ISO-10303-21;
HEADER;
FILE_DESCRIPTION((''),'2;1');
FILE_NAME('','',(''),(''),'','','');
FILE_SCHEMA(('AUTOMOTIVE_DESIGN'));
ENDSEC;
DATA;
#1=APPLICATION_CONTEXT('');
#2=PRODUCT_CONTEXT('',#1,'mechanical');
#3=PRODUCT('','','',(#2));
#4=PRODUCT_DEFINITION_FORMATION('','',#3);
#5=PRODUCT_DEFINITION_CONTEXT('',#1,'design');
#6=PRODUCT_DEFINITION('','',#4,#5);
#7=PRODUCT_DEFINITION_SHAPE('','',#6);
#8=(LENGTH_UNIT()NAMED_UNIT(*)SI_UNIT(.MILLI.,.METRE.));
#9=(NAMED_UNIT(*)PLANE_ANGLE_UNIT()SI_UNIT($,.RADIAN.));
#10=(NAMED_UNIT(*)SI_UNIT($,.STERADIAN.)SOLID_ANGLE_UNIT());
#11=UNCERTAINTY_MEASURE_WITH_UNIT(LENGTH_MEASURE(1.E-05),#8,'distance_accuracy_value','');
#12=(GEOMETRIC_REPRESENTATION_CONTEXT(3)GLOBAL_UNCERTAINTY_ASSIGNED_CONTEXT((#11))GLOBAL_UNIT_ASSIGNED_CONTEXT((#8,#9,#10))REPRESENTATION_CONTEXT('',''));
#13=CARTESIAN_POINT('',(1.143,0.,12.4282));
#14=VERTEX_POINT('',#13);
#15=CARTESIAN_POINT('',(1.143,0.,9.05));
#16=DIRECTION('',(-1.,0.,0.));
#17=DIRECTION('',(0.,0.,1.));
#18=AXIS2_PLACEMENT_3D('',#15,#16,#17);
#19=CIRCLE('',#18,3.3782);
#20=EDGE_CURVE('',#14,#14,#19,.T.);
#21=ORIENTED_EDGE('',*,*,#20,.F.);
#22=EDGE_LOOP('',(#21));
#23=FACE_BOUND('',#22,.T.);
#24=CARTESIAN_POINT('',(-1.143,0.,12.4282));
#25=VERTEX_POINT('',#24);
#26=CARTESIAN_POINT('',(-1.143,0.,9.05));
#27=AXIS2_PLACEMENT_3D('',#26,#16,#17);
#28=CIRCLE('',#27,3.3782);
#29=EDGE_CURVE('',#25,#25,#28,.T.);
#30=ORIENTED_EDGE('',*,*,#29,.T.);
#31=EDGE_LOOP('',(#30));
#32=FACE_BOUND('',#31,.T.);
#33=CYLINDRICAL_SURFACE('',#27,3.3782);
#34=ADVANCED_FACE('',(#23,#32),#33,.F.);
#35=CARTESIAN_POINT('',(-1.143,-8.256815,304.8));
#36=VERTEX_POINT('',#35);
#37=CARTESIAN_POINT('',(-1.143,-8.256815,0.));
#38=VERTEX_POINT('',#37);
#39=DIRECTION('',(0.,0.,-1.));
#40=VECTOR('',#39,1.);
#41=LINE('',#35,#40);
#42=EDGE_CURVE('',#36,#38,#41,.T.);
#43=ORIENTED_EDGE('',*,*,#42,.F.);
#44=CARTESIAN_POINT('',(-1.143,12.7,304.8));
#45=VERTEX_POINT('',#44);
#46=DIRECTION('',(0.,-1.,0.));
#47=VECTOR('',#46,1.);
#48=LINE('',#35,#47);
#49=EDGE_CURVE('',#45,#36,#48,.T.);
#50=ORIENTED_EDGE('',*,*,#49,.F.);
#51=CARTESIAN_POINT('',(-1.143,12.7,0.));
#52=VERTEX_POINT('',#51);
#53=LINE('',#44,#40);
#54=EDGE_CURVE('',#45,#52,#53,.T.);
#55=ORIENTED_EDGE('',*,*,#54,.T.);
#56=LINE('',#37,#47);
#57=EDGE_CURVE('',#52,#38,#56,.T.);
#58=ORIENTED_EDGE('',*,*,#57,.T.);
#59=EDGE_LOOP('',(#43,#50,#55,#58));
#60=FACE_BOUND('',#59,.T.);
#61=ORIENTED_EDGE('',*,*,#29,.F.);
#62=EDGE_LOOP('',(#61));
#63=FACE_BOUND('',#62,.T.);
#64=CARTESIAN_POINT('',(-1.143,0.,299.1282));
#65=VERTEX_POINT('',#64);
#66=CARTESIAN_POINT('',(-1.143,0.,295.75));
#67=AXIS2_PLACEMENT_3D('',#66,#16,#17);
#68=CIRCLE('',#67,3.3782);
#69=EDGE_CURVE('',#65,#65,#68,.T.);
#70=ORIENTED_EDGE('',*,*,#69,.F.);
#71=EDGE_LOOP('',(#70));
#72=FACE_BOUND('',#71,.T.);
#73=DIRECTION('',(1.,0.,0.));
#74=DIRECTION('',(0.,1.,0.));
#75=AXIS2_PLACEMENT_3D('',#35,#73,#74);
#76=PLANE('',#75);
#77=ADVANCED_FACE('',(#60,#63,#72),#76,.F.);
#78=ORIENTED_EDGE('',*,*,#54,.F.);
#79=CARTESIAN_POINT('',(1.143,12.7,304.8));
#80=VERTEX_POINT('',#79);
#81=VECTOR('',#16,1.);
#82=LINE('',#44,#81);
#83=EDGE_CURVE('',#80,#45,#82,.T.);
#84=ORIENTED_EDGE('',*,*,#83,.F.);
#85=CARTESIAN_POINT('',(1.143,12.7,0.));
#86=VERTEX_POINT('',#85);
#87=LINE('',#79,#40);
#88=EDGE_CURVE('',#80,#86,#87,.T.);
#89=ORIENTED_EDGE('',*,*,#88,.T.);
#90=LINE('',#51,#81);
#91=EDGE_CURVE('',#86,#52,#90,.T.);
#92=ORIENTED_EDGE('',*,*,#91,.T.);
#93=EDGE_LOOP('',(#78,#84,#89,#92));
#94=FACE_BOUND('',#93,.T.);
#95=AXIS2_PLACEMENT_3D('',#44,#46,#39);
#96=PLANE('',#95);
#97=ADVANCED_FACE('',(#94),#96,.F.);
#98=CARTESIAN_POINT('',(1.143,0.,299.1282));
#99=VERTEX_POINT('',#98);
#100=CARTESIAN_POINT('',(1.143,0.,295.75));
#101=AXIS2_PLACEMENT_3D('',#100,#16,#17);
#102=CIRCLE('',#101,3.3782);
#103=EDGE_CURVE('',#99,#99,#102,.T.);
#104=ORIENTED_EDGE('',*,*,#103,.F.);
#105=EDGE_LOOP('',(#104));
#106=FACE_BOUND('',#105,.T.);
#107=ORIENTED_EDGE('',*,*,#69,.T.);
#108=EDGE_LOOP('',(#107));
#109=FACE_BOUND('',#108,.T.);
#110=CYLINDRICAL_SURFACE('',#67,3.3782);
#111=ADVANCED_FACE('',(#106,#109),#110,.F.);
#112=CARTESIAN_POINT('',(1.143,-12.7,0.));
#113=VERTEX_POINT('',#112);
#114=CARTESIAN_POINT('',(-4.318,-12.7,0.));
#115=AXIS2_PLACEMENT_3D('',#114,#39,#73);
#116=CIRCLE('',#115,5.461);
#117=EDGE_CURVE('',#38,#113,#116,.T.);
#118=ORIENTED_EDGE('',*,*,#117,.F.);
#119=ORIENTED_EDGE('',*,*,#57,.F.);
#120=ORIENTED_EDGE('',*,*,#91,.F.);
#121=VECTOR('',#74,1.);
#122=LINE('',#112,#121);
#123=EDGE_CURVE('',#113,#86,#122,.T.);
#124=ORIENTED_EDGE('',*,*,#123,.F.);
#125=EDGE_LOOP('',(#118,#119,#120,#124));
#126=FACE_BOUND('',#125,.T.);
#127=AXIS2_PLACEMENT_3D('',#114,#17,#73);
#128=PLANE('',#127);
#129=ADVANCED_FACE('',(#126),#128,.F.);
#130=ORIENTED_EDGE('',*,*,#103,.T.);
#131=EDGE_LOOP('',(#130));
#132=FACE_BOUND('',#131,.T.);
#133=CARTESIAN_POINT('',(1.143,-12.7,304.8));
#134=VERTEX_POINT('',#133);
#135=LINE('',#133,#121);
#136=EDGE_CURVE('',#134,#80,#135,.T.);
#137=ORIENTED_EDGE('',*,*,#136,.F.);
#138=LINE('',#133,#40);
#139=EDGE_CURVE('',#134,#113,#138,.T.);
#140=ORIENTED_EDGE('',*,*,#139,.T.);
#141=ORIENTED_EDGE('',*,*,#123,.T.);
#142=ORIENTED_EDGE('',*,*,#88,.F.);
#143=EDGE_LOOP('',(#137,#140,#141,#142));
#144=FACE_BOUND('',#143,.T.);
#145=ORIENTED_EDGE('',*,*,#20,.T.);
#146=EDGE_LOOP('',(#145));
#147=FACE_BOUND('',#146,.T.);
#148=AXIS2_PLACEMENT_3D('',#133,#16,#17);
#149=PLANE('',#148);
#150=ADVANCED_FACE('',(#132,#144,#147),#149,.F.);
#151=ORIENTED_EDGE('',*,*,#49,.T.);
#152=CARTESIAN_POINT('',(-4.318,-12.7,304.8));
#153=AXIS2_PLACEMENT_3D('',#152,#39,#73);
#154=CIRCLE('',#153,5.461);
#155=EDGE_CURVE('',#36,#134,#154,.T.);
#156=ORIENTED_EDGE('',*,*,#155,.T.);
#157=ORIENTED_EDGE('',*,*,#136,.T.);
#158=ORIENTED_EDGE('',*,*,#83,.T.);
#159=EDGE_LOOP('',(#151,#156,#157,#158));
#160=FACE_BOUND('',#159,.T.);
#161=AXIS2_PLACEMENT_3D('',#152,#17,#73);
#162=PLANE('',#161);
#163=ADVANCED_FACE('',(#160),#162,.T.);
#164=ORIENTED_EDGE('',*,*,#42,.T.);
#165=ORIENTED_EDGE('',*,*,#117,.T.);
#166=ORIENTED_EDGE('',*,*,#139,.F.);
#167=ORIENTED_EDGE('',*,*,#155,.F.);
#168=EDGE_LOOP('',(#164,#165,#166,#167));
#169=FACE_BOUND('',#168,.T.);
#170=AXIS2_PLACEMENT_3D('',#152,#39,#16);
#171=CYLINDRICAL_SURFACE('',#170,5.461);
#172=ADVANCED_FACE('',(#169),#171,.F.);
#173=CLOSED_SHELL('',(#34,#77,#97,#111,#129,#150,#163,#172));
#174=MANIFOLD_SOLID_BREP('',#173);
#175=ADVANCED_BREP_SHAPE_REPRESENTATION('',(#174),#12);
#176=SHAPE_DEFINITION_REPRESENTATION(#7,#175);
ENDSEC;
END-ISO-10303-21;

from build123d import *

# Parameters (mm, degrees)
BOSS_EXTRUDE2_DEPTH     = 304.8
F_1_4_CLEARANCE_HOLE2_D = 6.7564


with BuildPart() as part:
    # Sketch1 → Boss-Extrude2 (new body)
    with BuildSketch(Plane.XY):
        with BuildLine():
            Line((-1.143, -8.256814656), (-1.143, 12.7))
            Line((-1.143, 12.7), (1.143, 12.7))
            Line((1.143, 12.7), (1.143, -12.7))
            ThreePointArc((1.143, -12.7), (0.537985791, -10.201615922), (-1.143, -8.256814656))
        make_face()
    extrude(amount=BOSS_EXTRUDE2_DEPTH)

    # 1/4 Clearance Hole2 (through all)
    with Locations(Plane.ZY.offset(1.143)):
        with Locations((9.050000188, 0), (295.749999812, 0)):
            Hole(F_1_4_CLEARANCE_HOLE2_D / 2)


solid = part.part
